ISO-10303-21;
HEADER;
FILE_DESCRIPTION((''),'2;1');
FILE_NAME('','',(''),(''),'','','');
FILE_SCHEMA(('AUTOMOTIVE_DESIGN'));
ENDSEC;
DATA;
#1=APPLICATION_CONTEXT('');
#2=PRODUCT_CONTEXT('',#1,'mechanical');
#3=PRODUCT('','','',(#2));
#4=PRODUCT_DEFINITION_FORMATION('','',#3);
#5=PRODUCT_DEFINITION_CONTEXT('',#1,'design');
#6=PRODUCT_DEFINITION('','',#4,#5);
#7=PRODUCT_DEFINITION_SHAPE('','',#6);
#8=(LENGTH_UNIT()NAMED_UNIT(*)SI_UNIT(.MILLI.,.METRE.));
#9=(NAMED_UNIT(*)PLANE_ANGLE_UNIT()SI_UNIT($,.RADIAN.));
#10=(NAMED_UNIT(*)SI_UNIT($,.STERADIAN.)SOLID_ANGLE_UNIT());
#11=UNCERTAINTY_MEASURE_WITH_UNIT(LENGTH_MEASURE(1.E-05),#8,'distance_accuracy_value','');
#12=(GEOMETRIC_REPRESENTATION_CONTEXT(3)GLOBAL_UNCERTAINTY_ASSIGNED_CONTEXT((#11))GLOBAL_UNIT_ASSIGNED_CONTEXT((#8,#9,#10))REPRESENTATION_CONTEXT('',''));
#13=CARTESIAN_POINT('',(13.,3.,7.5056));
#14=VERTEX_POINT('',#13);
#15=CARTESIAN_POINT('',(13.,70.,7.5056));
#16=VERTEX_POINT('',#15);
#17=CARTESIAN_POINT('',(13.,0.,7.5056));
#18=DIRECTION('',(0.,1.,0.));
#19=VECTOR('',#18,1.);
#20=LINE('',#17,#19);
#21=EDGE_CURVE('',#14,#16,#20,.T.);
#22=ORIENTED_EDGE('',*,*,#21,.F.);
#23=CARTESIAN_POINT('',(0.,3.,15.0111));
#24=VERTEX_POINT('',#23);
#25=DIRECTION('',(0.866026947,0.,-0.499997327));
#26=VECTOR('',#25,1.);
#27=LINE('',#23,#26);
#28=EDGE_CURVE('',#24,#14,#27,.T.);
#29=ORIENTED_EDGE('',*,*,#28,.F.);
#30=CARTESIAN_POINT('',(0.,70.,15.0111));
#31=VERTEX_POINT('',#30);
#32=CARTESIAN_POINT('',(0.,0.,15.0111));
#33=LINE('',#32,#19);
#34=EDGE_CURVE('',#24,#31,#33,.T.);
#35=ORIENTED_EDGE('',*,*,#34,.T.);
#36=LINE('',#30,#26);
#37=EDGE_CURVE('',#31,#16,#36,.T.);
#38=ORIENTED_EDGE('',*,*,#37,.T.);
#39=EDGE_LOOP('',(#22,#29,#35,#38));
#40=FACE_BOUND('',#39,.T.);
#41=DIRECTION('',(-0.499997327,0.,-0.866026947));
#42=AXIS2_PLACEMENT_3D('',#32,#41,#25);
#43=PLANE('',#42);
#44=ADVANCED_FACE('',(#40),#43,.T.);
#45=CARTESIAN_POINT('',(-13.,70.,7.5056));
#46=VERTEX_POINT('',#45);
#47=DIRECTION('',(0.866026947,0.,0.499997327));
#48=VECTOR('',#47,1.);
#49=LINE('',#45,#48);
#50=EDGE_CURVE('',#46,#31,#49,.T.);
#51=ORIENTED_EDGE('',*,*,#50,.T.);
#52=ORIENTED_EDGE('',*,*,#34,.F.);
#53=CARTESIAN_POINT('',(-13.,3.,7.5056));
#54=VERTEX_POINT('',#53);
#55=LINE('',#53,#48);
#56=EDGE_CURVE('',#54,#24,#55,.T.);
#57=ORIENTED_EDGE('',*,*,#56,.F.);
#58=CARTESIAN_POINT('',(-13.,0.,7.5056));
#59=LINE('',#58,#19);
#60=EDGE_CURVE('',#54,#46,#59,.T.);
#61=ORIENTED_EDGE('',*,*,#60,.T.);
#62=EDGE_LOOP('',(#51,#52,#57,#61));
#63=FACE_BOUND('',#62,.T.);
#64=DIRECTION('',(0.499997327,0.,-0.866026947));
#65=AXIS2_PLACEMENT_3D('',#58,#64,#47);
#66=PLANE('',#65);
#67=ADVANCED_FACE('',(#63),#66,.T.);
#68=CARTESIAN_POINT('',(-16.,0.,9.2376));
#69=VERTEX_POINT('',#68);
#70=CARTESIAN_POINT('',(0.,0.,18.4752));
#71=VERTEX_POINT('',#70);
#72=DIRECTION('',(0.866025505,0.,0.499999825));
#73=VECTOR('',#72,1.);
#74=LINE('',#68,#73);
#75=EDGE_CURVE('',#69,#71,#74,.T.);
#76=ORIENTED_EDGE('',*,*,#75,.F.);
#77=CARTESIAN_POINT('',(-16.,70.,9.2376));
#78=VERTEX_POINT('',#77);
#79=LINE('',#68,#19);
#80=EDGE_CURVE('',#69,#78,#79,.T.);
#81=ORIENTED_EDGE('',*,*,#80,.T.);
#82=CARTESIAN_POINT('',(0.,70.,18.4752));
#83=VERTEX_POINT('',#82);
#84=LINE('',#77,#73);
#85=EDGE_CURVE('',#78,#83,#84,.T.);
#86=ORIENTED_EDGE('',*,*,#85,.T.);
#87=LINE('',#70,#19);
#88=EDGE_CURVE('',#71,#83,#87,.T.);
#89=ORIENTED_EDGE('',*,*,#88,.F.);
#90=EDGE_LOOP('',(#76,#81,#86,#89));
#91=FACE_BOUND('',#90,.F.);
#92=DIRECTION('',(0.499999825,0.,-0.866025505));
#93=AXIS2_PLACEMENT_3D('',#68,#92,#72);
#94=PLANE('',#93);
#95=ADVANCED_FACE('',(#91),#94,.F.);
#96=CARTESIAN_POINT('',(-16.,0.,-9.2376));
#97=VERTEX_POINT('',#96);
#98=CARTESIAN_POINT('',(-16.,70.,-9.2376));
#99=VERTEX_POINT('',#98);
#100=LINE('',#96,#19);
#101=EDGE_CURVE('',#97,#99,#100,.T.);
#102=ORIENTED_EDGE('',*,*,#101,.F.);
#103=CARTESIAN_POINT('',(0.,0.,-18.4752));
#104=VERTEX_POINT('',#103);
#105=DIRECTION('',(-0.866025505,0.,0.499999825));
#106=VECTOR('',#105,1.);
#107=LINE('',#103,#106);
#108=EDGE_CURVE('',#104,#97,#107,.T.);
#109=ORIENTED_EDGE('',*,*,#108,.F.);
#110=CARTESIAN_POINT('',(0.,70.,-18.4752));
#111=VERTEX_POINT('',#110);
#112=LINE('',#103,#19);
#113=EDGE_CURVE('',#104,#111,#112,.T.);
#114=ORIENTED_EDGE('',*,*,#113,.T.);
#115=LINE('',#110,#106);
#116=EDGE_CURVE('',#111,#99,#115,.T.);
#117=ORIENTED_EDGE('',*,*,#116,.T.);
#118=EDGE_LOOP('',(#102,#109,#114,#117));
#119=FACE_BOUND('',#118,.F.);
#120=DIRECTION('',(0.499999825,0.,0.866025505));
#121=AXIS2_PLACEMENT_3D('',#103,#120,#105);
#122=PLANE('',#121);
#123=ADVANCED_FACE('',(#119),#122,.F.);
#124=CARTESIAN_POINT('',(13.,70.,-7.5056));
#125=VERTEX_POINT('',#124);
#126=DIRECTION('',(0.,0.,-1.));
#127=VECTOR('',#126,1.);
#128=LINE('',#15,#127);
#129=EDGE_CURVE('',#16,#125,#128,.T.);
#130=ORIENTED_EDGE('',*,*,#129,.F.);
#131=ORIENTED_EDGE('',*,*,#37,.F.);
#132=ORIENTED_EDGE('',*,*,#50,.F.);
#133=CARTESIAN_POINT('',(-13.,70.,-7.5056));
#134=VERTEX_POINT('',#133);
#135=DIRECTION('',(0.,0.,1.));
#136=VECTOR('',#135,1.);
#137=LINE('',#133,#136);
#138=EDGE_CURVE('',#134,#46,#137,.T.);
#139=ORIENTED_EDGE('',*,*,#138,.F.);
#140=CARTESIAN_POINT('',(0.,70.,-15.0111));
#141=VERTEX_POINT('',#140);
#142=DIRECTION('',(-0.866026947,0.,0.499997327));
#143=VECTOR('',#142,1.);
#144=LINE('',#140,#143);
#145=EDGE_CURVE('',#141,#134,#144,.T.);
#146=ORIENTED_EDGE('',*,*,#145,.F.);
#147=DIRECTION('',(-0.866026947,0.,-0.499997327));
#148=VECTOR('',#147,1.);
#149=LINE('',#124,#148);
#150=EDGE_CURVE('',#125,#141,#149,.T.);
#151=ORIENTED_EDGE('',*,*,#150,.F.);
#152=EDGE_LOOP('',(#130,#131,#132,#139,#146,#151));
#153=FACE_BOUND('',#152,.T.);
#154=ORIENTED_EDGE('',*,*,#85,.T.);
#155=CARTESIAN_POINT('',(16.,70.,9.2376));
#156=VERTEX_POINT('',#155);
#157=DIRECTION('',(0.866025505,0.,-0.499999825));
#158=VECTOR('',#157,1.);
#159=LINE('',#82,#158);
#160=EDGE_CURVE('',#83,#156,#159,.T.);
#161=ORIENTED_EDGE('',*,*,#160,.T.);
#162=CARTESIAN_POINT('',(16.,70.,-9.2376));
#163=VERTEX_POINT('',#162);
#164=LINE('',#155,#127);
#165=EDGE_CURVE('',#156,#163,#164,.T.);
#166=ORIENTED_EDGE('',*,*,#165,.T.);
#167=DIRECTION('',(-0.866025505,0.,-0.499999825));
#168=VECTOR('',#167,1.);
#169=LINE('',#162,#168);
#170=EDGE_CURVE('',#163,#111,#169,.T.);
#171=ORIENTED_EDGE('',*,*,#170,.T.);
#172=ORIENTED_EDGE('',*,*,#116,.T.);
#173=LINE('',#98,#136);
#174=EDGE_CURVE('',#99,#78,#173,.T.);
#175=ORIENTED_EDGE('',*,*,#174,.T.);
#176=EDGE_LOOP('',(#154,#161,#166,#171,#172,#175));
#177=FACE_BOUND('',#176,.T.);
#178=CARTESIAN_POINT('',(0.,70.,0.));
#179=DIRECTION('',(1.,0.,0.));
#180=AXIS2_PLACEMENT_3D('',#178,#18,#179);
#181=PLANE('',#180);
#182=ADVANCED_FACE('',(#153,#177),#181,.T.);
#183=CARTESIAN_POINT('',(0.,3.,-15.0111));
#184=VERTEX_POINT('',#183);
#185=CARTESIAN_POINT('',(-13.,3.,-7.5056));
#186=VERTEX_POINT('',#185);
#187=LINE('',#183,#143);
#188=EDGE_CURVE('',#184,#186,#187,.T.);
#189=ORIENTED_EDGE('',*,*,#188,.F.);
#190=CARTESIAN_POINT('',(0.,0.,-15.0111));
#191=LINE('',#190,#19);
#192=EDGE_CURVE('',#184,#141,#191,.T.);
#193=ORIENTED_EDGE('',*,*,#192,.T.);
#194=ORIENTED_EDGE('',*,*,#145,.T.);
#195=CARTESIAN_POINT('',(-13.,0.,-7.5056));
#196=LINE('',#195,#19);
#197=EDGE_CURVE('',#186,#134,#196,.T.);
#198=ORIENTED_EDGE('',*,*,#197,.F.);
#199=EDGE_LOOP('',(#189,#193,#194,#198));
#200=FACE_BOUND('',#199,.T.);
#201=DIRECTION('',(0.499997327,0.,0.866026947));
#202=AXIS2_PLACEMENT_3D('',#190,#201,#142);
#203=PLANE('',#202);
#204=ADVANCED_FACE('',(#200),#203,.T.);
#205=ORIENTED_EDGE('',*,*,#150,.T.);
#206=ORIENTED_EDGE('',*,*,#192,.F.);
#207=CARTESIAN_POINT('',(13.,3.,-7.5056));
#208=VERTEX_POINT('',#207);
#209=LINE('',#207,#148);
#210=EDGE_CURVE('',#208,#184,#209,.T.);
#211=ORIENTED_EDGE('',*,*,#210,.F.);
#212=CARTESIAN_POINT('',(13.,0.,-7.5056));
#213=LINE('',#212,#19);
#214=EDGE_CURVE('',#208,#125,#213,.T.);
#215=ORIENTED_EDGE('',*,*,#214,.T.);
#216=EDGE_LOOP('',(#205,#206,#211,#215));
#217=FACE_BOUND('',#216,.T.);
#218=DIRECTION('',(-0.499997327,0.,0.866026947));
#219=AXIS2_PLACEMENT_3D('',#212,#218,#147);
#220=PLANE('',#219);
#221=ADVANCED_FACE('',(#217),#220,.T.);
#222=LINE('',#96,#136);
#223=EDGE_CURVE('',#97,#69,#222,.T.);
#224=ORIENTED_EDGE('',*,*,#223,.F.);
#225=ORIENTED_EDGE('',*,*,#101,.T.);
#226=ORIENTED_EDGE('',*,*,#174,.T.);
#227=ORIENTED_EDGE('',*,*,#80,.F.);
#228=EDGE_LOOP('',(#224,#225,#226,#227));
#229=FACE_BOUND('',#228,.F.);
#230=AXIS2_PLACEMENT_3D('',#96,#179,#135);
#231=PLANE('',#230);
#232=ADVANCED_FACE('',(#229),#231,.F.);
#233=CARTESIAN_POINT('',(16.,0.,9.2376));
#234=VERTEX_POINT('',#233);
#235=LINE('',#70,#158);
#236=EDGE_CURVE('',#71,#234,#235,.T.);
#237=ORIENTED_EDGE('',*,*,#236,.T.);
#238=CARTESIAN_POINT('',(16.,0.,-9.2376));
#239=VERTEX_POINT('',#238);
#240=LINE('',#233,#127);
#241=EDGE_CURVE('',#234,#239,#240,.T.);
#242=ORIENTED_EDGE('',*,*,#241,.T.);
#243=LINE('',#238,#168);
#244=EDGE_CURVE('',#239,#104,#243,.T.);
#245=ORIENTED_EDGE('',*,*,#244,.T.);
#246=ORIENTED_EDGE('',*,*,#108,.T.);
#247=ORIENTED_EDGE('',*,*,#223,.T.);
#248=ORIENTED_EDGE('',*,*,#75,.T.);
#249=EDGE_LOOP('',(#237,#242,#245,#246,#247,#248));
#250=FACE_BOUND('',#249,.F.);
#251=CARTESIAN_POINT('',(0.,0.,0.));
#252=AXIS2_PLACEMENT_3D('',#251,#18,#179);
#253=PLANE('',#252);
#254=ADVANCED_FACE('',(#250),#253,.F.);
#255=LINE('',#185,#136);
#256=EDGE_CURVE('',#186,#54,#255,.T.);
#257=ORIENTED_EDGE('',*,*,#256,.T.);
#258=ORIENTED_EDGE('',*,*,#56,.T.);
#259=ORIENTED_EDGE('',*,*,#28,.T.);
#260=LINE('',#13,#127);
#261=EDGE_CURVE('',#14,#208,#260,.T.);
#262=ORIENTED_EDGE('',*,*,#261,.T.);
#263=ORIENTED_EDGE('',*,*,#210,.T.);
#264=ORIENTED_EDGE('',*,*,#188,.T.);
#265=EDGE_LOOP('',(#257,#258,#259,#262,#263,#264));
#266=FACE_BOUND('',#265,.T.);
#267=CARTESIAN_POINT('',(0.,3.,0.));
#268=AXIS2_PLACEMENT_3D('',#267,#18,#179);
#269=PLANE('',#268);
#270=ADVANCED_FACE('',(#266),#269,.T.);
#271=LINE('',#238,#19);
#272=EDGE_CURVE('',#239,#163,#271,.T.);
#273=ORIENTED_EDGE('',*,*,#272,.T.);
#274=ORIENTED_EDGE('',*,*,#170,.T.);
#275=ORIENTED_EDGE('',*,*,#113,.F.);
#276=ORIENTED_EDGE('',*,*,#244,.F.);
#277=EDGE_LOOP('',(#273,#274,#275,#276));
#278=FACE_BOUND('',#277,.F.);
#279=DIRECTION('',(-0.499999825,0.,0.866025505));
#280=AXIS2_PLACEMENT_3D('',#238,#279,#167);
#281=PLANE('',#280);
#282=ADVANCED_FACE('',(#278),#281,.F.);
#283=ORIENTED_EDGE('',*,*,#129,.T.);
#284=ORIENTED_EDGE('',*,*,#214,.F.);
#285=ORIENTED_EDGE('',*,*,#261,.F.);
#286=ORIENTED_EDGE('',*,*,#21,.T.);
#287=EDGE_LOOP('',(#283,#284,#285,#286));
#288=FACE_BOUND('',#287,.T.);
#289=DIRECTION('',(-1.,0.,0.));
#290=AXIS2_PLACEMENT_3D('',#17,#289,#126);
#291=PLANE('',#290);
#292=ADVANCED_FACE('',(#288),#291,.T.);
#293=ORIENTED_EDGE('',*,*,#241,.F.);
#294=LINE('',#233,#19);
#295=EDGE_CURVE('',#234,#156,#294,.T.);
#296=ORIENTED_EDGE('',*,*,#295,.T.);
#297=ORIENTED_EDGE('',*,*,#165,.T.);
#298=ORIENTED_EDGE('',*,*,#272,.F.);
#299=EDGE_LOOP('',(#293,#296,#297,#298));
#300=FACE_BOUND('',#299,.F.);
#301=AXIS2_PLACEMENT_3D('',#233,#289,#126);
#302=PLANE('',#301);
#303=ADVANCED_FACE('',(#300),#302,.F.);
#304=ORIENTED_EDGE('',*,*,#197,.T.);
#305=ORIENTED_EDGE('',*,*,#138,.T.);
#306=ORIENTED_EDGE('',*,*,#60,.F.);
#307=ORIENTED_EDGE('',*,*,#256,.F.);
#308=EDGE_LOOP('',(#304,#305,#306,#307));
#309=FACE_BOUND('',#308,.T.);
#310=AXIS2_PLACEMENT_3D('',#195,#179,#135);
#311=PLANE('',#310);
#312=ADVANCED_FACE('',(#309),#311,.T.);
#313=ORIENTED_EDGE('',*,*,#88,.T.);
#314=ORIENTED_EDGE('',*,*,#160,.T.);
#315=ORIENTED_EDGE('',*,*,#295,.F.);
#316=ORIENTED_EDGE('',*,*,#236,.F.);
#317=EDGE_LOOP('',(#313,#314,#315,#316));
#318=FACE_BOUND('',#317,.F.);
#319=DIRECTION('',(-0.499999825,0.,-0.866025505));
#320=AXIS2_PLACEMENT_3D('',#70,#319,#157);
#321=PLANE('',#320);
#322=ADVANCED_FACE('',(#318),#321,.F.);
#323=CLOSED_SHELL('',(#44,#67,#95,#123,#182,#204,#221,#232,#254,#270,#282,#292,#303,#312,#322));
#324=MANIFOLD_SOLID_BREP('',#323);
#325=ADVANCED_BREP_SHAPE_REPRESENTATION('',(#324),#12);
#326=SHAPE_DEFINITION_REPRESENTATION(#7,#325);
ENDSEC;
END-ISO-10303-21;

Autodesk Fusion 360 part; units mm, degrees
sketch "Sketch1" plane through (0, 0, 0) normal (0, 1, 0) x (1, 0, 0)
  line L0 (16, 9.2376) -> (0, 18.4752)
  line L1 (0, 18.4752) -> (-16, 9.2376)
  line L2 (-16, 9.2376) -> (-16, -9.2376)
  line L3 (-16, -9.2376) -> (0, -18.4752)
  line L4 (0, -18.4752) -> (16, -9.2376)
  line L5 (16, -9.2376) -> (16, 9.2376)
  line L6 (13, 7.5056) -> (0, 15.0111)
  line L7 (0, 15.0111) -> (-13, 7.5056)
  line L8 (-13, 7.5056) -> (-13, -7.5056)
  line L9 (-13, -7.5056) -> (0, -15.0111)
  line L10 (0, -15.0111) -> (13, -7.5056)
  line L11 (13, -7.5056) -> (13, 7.5056)
  dimension "d1" = 16
  dimension "d2" = 3
extrude "Extrude1" add sketch "Sketch1" along normal blind 70 makes body 1
extrude "Extrude2" add sketch "Sketch1" along normal blind 3 contours L6 L7 L8 L9 L10 L11 bodies 1
copy_body "Body->Comp1" bodies 1 removing the originals makes body 2 in component "hexagon-02"
component "hexagon-02" placed x (1, 0, 0) y (0, 1, 0) z (0, 0, 1) at (0, 0, 0)
